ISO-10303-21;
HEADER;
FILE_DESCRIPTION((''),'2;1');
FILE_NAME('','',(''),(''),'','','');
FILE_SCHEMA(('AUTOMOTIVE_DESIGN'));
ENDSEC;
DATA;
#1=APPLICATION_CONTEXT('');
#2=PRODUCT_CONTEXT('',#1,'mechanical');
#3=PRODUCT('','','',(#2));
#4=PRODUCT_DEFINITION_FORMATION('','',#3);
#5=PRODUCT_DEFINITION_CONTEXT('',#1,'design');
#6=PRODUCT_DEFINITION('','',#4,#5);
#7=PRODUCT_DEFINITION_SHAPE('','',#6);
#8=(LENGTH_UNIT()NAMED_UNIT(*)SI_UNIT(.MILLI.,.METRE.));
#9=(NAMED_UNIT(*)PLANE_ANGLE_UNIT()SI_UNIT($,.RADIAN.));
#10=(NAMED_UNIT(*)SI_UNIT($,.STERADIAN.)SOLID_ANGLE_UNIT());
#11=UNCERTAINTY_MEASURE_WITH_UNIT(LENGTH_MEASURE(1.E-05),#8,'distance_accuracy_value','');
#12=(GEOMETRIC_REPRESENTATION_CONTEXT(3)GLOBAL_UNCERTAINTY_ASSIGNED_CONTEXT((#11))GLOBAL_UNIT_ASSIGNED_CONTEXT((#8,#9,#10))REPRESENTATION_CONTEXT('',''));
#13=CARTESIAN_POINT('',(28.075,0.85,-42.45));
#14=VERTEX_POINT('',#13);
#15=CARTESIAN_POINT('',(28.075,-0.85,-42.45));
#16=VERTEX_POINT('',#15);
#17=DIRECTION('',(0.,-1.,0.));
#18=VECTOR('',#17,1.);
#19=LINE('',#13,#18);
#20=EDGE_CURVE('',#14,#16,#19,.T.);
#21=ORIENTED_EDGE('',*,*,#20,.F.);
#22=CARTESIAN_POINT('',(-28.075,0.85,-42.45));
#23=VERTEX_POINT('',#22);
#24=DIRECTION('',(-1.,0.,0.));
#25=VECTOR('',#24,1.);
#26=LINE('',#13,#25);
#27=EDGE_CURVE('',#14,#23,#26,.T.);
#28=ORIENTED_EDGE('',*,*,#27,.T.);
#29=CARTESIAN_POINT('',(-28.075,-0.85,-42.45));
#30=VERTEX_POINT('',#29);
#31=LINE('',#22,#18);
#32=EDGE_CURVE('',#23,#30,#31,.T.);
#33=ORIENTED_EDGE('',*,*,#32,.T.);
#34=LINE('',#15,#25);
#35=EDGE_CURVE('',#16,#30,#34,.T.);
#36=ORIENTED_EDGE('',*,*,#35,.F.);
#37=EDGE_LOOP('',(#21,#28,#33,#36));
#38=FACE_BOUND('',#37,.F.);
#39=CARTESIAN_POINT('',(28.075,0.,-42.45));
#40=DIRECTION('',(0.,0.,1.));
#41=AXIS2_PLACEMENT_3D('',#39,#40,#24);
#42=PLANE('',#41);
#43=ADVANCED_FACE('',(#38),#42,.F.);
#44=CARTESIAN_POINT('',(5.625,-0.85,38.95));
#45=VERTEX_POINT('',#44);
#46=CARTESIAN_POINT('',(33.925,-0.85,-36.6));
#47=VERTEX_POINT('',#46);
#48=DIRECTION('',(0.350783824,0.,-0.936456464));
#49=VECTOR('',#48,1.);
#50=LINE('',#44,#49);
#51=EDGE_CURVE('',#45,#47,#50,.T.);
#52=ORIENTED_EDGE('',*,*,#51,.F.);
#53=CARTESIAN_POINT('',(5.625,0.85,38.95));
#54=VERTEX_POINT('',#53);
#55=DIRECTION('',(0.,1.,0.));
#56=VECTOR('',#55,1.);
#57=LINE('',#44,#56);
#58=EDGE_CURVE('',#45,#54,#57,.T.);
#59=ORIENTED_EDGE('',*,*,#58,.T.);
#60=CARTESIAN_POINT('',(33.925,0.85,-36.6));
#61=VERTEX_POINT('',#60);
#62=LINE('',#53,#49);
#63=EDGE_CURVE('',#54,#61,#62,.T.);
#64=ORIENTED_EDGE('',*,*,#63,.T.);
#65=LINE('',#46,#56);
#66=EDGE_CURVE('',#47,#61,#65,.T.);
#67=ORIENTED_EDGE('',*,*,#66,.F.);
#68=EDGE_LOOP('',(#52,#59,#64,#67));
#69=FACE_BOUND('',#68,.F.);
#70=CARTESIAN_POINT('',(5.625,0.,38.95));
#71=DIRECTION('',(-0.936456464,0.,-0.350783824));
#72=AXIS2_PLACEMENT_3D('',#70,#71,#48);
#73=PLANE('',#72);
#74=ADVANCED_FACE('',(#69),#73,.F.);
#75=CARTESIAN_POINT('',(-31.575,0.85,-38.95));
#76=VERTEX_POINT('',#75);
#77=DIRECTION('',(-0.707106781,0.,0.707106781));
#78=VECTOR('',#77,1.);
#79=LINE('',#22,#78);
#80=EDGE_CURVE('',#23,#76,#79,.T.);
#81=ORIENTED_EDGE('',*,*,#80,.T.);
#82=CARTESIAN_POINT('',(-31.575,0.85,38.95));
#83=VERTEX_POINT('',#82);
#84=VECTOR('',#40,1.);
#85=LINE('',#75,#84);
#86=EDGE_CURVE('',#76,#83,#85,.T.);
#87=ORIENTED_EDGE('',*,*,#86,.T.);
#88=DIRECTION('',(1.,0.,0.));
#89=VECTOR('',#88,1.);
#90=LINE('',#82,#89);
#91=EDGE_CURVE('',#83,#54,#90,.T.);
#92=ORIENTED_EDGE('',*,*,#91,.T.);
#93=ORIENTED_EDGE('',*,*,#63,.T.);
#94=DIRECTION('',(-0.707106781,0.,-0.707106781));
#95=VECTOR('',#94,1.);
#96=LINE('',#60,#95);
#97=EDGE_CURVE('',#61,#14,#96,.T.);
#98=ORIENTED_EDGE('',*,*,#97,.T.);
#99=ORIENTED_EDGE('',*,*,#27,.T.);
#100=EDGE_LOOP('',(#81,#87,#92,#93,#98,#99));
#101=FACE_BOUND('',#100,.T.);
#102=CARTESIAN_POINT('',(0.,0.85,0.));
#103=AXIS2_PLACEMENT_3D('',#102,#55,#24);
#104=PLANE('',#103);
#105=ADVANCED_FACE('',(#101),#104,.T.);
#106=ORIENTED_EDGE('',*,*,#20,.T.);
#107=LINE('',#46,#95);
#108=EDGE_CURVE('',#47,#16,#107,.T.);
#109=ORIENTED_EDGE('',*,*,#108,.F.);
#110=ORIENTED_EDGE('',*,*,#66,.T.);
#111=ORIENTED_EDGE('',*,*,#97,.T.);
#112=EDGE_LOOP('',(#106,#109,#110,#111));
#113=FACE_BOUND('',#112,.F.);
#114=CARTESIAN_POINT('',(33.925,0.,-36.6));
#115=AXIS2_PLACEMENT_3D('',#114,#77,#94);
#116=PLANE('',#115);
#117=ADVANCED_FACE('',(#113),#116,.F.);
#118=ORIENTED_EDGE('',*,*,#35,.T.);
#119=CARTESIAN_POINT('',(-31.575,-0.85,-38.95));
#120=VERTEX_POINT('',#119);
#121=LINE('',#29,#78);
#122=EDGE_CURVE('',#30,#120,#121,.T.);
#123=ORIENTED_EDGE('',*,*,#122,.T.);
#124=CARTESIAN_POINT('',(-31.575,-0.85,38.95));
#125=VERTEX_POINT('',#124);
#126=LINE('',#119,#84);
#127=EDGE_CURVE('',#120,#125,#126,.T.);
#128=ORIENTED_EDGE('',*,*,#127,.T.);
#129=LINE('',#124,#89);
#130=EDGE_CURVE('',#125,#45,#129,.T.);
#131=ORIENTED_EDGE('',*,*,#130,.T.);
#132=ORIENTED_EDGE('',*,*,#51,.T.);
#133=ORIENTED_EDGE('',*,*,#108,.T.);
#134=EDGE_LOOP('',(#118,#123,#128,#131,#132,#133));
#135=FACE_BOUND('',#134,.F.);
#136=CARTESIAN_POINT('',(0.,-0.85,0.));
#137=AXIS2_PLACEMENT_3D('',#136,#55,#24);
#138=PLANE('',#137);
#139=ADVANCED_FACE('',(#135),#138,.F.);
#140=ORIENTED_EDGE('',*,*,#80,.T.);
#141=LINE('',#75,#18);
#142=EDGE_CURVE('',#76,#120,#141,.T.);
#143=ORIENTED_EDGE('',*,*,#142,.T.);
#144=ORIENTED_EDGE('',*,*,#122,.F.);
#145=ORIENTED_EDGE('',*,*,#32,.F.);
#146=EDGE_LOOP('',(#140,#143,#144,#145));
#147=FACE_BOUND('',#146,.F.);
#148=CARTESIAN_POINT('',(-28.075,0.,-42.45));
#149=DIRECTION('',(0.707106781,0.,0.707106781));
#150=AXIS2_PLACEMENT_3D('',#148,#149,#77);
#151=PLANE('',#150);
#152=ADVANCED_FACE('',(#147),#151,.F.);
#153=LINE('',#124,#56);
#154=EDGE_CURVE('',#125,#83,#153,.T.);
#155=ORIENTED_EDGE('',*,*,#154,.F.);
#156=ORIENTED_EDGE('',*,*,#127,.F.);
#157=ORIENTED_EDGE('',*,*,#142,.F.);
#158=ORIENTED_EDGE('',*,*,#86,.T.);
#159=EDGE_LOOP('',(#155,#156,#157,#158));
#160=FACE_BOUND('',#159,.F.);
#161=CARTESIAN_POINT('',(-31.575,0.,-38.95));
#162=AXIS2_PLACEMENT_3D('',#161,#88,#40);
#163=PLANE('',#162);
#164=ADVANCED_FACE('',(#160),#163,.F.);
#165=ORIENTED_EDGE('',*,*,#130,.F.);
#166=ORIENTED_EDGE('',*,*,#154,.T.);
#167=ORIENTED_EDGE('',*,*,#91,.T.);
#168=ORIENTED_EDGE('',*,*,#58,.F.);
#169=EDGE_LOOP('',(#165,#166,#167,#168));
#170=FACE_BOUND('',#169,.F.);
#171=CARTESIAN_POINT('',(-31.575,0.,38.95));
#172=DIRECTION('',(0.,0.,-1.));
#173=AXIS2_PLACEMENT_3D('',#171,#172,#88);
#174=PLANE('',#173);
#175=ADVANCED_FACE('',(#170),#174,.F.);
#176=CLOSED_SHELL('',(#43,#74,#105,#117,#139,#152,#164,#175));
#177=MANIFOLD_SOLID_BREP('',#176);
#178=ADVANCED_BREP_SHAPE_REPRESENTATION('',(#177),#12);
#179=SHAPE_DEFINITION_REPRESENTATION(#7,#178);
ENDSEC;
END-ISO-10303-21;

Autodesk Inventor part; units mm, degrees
ref_plane "YZ Plane" through (0, 0, 0) normal (1, 0, 0) x (0, 1, 0)
ref_plane "XZ Plane" through (0, 0, 0) normal (0, 1, 0) x (-1, 0, 0)
ref_plane "XY Plane" through (0, 0, 0) normal (0, 0, 1) x (1, 0, 0)
sketch "Sketch1" plane through (0, 0, 0) normal (0, 1, 0) x (-1, 0, 0)
  line L0 (31.575, 38.95) -> (-5.625, 38.95)
  line L1 (-5.625, 38.95) -> (-33.925, -36.6)
  line L2 (-33.925, -36.6) -> (-28.075, -42.45)
  line L3 (-28.075, -42.45) -> (28.075, -42.45)
  line L4 (28.075, -42.45) -> (31.575, -38.95)
  line L5 (31.575, -38.95) -> (31.575, 38.95)
  point P0 (0, 0)
  point P1 (0, -42.45)
  point P2 (31.575, 0)
  dimension "d0" = 3.5
  dimension "d1" = 3.5
  dimension "d2" = 81.4
  dimension "d3" = 37.2
  dimension "d4" = 65.5
  dimension "d5" = 59.65
extrude "Extrusion1" add sketch "Sketch1" along normal mid plane 1.7
equation "\"d1\" = d0"
properties part number "StrategyCard_Single" material "Paper"
